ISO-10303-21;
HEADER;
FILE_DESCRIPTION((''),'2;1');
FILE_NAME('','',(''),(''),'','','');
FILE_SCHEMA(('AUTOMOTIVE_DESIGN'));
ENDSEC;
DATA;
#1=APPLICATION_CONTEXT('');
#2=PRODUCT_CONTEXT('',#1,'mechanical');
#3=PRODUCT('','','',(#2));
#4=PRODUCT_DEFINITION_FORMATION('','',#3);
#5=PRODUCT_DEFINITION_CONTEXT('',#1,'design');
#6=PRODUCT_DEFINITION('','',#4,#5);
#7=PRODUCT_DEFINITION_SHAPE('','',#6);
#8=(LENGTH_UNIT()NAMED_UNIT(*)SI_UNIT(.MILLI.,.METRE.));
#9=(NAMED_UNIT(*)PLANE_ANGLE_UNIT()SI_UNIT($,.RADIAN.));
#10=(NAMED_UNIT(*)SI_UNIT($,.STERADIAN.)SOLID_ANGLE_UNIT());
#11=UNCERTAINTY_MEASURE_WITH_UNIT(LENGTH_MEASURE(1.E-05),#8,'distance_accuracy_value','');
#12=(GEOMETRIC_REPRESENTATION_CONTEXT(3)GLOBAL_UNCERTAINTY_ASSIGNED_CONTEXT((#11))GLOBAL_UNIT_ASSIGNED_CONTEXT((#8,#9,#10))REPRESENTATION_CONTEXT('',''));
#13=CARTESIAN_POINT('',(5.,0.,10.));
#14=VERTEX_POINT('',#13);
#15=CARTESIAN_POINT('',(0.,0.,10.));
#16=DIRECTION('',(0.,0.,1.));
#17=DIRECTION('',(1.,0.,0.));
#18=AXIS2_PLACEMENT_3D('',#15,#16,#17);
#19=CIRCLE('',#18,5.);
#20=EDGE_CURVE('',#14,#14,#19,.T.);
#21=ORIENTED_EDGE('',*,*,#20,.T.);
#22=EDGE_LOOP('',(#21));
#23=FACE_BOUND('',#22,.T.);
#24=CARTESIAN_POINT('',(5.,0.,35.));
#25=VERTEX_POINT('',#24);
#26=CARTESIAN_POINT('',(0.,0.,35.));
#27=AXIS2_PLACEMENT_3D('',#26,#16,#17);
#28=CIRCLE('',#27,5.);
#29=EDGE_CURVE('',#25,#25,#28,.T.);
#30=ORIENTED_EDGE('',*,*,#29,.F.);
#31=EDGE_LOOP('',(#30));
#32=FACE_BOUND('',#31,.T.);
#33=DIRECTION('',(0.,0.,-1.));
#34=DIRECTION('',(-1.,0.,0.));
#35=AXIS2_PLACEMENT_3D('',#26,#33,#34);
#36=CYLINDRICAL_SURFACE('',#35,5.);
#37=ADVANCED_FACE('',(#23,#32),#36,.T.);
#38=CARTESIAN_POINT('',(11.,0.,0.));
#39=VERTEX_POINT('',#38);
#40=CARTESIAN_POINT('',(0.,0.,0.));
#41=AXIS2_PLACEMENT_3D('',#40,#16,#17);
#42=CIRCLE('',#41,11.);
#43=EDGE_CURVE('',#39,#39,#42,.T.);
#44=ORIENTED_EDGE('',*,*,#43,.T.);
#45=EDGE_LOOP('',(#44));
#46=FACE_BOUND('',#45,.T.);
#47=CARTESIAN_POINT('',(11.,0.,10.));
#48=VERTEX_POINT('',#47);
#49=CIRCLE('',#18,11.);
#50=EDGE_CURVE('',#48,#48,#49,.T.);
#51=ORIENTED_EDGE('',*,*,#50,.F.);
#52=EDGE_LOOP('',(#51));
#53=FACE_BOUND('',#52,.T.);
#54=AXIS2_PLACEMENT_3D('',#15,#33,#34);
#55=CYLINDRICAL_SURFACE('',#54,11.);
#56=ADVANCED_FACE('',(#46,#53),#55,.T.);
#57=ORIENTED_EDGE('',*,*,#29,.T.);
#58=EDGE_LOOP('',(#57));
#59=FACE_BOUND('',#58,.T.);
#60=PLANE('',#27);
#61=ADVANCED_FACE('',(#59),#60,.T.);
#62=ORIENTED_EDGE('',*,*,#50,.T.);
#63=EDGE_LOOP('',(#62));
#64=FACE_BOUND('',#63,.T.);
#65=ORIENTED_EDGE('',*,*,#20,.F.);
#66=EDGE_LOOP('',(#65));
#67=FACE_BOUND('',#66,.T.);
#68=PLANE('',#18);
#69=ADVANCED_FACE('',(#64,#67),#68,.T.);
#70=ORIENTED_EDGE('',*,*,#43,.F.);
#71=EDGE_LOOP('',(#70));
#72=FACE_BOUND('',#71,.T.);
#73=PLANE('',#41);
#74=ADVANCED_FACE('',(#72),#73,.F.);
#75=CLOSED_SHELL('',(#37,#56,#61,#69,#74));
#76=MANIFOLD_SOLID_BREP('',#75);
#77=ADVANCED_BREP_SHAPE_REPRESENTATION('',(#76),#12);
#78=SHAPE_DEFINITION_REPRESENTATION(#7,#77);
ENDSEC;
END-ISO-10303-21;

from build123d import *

# Parameters (mm, degrees)
SKETCH1_R           = 11
BOSS_EXTRUDE1_DEPTH = 10
SKETCH2_R           = 5
BOSS_EXTRUDE2_DEPTH = 25


with BuildPart() as part:
    # Sketch1 → Boss-Extrude1 (new body)
    with BuildSketch(Plane.XY):
        Circle(SKETCH1_R)
    extrude(amount=BOSS_EXTRUDE1_DEPTH)

    # Sketch2 → Boss-Extrude2 (add)
    with BuildSketch(Plane.XY.offset(10)):
        Circle(SKETCH2_R)
    extrude(amount=BOSS_EXTRUDE2_DEPTH)


solid = part.part
